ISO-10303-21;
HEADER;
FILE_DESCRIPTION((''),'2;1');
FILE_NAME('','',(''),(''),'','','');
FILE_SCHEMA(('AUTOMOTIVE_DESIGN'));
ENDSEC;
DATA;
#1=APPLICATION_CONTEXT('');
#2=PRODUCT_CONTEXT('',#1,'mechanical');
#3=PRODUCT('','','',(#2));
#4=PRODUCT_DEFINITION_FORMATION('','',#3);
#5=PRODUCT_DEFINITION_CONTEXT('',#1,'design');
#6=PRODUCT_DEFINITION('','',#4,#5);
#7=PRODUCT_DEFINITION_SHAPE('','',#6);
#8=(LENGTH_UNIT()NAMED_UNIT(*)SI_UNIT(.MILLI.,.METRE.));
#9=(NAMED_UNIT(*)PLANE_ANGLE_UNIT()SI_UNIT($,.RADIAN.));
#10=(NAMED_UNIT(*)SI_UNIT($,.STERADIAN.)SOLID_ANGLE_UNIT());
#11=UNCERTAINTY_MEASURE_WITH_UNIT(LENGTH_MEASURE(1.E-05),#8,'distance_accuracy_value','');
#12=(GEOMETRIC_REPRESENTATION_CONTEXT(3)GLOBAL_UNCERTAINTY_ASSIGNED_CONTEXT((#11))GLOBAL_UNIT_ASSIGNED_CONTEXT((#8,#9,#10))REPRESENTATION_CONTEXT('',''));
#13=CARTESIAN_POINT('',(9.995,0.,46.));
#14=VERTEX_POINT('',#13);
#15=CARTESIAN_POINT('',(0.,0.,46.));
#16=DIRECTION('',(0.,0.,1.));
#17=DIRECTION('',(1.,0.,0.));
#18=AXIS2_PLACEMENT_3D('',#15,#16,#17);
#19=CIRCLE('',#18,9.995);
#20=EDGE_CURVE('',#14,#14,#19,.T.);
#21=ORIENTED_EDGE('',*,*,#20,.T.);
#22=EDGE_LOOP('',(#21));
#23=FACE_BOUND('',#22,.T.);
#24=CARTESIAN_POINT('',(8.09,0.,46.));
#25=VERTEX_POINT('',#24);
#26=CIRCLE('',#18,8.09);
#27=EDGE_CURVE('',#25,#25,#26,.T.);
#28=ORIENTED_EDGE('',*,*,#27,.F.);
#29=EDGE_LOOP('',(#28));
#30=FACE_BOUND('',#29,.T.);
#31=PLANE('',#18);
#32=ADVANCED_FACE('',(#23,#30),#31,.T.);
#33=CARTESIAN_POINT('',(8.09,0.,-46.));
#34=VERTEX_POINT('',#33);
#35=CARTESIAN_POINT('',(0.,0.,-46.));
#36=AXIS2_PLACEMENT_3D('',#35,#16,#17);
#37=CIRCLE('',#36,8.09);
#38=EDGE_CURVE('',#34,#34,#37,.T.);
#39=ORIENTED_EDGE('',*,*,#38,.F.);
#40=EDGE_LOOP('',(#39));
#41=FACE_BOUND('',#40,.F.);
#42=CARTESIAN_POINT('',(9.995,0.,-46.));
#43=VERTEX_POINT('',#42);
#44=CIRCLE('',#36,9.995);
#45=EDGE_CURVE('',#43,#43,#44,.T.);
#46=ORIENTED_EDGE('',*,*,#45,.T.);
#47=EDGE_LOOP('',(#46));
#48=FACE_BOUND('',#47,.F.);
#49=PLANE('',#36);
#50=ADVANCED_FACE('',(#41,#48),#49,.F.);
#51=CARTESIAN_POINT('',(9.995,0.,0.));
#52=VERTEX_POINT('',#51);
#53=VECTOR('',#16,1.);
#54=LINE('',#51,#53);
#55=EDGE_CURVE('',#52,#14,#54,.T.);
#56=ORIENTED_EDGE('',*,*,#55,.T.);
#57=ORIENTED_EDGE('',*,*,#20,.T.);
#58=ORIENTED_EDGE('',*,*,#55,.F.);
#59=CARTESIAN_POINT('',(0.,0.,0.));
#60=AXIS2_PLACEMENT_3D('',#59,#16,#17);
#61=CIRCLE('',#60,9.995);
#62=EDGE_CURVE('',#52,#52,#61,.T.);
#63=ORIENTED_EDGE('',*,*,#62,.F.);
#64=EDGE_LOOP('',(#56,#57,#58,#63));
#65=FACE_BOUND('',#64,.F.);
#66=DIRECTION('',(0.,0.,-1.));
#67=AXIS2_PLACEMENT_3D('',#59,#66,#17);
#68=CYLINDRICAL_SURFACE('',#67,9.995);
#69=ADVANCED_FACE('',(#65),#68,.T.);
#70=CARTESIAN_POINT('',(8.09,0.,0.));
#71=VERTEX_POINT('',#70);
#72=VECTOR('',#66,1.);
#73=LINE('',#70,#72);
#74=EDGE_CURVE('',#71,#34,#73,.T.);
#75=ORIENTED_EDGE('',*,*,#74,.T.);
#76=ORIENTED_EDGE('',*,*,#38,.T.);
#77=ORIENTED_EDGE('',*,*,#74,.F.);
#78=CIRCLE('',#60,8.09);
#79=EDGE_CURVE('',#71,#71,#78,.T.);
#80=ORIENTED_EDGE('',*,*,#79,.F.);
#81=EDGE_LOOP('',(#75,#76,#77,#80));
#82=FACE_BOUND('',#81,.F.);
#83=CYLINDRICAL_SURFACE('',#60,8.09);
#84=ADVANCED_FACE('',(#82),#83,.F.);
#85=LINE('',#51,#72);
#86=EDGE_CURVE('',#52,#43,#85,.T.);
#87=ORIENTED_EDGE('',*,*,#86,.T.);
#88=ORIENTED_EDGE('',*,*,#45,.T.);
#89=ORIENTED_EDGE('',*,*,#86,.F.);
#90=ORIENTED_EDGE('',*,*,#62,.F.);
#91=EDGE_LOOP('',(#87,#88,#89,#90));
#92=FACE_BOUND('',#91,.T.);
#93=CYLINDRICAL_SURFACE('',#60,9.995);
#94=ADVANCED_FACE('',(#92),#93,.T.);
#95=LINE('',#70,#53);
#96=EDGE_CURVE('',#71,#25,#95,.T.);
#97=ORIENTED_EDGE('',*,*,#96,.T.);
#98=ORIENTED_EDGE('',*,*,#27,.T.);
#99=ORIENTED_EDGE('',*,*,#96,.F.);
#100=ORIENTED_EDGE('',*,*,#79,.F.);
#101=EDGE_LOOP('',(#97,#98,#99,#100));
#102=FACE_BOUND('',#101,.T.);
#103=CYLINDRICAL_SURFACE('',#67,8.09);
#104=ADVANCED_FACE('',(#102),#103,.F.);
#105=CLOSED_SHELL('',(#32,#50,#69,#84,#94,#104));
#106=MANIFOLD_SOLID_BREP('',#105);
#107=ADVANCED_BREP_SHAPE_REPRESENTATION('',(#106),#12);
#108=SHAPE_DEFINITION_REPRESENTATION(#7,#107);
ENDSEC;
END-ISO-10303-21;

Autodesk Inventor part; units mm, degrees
ref_plane "YZ Plane" through (0, 0, 0) normal (1, 0, 0) x (0, 1, 0)
ref_plane "XZ Plane" through (0, 0, 0) normal (0, 1, 0) x (-1, 0, 0)
ref_plane "XY Plane" through (0, 0, 0) normal (0, 0, 1) x (1, 0, 0)
sketch "Sketch1" plane through (0, 0, 0) normal (0, 0, 1) x (1, 0, 0)
  circle A0 centre (0, 0) radius 9.995
  circle A1 centre (0, 0) radius 8.09
  dimension "d0" = 19.99
  dimension "d1" = 16.18
extrude "Extrusion1" add sketch "Sketch1" along normal mid plane 92
properties part number "Pipe"
